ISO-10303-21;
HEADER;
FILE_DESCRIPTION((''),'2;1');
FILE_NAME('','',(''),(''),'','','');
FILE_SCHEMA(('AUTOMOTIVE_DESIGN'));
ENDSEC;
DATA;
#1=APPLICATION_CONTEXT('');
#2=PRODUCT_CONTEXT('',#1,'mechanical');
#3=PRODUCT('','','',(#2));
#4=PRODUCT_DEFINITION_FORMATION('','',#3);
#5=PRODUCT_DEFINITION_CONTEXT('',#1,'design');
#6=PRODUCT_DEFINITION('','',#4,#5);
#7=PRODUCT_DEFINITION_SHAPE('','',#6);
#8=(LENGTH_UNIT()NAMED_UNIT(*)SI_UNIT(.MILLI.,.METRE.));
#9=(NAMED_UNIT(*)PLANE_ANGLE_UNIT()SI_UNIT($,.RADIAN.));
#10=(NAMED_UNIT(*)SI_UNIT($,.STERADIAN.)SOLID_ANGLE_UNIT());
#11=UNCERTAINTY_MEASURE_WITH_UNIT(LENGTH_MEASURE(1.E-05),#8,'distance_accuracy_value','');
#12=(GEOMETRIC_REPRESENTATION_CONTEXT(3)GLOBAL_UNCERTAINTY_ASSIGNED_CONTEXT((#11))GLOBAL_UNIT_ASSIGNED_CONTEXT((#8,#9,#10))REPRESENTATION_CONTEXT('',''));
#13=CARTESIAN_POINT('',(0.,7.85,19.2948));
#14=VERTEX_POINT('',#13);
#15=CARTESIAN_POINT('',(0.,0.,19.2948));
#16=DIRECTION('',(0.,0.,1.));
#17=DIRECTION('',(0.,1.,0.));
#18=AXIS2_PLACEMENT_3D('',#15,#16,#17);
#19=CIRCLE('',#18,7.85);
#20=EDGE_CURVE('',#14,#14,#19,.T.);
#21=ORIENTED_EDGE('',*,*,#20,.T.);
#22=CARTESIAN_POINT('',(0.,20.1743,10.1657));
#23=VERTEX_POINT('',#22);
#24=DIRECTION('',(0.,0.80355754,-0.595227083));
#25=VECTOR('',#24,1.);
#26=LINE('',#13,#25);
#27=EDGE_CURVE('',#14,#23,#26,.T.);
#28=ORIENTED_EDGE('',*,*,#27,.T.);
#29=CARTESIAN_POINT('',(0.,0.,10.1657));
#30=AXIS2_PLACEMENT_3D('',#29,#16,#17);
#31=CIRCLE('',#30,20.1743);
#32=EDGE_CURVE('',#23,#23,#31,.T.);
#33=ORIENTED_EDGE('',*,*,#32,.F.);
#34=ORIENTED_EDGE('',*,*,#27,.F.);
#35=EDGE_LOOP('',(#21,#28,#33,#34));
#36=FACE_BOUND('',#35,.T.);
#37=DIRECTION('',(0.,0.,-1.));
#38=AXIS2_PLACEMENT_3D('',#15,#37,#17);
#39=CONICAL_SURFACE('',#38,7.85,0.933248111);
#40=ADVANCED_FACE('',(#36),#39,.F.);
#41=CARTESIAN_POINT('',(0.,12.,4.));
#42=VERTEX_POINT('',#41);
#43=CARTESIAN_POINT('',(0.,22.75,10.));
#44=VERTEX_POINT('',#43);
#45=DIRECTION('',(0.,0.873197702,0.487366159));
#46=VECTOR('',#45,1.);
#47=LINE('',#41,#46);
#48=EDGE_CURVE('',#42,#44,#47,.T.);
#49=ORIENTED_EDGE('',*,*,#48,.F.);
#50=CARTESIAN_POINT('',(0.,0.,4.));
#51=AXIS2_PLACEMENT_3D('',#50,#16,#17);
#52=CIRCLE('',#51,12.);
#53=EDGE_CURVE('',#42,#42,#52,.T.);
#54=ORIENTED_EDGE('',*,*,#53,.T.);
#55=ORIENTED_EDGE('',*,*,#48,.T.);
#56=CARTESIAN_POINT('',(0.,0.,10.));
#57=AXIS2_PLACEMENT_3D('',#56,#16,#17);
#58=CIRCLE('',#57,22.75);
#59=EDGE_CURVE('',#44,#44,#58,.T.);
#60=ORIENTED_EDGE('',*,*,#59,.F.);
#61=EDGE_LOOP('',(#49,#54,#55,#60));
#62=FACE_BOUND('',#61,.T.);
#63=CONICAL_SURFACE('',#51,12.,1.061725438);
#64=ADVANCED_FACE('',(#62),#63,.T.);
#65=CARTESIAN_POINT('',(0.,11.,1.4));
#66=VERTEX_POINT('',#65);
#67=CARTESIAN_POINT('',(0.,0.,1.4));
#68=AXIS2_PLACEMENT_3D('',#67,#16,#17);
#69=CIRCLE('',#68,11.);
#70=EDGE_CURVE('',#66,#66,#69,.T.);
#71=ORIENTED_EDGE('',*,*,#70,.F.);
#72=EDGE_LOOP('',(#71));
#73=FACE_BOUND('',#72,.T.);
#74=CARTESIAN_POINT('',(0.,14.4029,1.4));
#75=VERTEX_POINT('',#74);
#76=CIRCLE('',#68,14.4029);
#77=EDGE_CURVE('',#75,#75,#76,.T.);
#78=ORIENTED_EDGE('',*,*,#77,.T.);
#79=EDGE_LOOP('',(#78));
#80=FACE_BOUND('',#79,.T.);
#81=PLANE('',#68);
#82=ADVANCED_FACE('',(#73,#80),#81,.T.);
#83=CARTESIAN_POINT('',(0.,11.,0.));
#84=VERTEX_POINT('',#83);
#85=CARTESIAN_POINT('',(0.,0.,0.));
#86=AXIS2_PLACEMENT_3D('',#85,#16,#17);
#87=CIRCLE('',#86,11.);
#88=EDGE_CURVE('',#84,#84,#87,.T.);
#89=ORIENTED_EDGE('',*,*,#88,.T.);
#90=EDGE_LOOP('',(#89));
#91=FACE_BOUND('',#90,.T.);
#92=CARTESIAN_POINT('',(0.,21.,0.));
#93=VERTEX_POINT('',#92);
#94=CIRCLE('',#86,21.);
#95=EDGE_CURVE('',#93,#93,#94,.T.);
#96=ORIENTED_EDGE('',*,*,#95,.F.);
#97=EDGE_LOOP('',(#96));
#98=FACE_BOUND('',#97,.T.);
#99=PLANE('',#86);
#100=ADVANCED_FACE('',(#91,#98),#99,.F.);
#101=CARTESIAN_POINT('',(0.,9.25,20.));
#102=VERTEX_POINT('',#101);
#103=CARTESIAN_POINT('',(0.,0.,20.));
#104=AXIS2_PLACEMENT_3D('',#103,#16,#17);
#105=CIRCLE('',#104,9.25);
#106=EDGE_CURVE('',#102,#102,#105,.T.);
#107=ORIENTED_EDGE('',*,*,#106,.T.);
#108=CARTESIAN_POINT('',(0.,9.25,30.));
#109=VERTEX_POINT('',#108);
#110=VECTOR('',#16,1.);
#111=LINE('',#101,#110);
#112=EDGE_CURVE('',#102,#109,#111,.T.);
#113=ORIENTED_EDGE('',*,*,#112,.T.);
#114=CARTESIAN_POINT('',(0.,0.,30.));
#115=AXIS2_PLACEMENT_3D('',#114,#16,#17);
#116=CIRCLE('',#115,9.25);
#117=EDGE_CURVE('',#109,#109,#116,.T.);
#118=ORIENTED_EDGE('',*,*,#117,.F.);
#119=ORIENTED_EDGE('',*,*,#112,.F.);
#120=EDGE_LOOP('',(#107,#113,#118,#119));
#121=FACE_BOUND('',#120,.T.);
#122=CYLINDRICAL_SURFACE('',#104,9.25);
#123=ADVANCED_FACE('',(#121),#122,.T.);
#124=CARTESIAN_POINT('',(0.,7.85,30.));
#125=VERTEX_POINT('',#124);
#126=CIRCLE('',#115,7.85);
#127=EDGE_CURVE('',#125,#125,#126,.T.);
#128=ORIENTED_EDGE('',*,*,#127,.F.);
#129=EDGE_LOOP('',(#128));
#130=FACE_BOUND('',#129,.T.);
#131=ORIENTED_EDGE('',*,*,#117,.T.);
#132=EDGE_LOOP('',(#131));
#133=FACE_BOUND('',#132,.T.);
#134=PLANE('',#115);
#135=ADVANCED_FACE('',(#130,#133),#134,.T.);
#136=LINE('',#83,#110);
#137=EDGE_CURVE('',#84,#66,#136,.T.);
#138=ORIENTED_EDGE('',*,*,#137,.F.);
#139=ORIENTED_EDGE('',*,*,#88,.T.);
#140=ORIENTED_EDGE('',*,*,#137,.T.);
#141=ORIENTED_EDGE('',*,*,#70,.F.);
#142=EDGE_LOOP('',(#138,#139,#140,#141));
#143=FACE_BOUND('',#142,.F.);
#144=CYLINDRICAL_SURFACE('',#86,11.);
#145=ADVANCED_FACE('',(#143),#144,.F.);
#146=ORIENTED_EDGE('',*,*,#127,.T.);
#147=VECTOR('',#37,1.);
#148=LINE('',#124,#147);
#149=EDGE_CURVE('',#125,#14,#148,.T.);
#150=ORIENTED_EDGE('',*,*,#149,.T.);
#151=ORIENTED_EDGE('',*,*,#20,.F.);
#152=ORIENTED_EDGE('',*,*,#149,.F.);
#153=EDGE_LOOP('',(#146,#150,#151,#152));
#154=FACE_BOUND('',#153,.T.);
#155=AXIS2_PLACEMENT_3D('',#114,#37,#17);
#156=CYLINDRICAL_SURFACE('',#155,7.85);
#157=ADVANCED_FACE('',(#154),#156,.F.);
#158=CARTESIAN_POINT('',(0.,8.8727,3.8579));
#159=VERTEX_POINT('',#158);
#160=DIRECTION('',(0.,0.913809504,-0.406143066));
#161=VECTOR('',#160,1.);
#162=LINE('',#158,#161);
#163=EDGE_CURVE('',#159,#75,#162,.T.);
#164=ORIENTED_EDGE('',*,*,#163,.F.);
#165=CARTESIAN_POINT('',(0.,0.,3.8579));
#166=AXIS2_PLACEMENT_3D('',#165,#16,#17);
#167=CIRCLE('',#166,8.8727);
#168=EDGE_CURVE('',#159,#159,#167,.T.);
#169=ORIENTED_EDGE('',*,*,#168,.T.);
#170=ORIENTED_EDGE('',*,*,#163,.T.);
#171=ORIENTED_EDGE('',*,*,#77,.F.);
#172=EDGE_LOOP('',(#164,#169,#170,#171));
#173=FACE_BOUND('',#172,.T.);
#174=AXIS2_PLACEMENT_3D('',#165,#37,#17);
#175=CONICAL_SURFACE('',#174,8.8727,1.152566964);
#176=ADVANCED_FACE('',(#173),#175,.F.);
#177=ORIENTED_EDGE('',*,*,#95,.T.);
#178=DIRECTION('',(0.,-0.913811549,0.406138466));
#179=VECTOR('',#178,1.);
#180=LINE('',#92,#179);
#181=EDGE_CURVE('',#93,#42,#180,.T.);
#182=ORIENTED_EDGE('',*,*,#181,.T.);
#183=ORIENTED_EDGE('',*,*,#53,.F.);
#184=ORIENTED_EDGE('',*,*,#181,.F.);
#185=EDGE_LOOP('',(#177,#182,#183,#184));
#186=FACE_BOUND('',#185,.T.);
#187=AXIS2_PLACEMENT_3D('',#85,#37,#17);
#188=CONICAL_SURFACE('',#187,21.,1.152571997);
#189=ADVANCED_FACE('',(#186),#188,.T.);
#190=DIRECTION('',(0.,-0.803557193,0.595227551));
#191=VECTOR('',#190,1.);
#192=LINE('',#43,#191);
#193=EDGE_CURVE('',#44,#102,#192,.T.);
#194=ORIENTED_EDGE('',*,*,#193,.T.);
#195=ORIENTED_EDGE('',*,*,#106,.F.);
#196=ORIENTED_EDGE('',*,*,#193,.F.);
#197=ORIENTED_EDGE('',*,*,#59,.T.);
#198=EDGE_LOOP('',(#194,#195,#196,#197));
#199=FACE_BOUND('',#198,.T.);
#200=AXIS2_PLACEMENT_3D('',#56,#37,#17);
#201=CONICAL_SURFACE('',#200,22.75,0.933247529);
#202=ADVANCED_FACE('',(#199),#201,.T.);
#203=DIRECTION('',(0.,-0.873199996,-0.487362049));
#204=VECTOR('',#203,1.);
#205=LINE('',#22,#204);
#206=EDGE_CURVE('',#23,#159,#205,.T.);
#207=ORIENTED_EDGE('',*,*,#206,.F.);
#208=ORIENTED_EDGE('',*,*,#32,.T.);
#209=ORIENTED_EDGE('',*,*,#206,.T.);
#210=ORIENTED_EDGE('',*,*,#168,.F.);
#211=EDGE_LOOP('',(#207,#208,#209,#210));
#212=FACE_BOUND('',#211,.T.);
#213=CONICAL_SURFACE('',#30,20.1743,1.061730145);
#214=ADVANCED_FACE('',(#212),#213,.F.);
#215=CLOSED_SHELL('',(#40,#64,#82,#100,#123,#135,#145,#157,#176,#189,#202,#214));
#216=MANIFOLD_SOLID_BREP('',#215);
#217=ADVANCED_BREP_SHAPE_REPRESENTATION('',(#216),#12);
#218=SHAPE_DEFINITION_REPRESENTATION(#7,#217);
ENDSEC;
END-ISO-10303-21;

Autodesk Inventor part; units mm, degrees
ref_plane "YZ Plane" through (0, 0, 0) normal (1, 0, 0) x (0, 1, 0)
ref_plane "XZ Plane" through (0, 0, 0) normal (0, 1, 0) x (-1, 0, 0)
ref_plane "XY Plane" through (0, 0, 0) normal (0, 0, 1) x (1, 0, 0)
sketch "Sketch2" plane through (0, 0, 0) normal (1, 0, 0) x (0, 1, 0)
  line L0 (11, 0) -> (21, 0)
  line L1 (0, 0) -> (0, 40.0317)
  line L2 (21, 0) -> (12, 4)
  line L3 (12, 4) -> (22.75, 10)
  line L4 (22.75, 10) -> (9.25, 20)
  line L5 (9.25, 20) -> (9.25, 30)
  line L6 (9.25, 30) -> (7.85, 30)
  line L7 (7.85, 30) -> (7.85, 19.2948)
  line L8 (7.85, 19.2948) -> (20.1743, 10.1657)
  line L9 (20.1743, 10.1657) -> (8.8727, 3.8579)
  line L10 (8.8727, 3.8579) -> (14.4029, 1.4)
  line L11 (14.4029, 1.4) -> (11, 1.4)
  line L12 (11, 0) -> (11, 1.4)
  dimension "d10" = 22
  dimension "d11" = 42
  dimension "d12" = 24
  dimension "d13" = 4
  dimension "d14" = 10
  dimension "d15" = 45.5
  dimension "d16" = 18.5
  dimension "d17" = 10
  dimension "d18" = 10
  dimension "d19" = 1.4
  dimension "d20" = 1.4
revolve "Revolution1" add sketch "Sketch2" angle 360 about axis through (0, 0, 0) along (0, 0, 1)
properties part number "Ventosa" material "SAN Plastic"
